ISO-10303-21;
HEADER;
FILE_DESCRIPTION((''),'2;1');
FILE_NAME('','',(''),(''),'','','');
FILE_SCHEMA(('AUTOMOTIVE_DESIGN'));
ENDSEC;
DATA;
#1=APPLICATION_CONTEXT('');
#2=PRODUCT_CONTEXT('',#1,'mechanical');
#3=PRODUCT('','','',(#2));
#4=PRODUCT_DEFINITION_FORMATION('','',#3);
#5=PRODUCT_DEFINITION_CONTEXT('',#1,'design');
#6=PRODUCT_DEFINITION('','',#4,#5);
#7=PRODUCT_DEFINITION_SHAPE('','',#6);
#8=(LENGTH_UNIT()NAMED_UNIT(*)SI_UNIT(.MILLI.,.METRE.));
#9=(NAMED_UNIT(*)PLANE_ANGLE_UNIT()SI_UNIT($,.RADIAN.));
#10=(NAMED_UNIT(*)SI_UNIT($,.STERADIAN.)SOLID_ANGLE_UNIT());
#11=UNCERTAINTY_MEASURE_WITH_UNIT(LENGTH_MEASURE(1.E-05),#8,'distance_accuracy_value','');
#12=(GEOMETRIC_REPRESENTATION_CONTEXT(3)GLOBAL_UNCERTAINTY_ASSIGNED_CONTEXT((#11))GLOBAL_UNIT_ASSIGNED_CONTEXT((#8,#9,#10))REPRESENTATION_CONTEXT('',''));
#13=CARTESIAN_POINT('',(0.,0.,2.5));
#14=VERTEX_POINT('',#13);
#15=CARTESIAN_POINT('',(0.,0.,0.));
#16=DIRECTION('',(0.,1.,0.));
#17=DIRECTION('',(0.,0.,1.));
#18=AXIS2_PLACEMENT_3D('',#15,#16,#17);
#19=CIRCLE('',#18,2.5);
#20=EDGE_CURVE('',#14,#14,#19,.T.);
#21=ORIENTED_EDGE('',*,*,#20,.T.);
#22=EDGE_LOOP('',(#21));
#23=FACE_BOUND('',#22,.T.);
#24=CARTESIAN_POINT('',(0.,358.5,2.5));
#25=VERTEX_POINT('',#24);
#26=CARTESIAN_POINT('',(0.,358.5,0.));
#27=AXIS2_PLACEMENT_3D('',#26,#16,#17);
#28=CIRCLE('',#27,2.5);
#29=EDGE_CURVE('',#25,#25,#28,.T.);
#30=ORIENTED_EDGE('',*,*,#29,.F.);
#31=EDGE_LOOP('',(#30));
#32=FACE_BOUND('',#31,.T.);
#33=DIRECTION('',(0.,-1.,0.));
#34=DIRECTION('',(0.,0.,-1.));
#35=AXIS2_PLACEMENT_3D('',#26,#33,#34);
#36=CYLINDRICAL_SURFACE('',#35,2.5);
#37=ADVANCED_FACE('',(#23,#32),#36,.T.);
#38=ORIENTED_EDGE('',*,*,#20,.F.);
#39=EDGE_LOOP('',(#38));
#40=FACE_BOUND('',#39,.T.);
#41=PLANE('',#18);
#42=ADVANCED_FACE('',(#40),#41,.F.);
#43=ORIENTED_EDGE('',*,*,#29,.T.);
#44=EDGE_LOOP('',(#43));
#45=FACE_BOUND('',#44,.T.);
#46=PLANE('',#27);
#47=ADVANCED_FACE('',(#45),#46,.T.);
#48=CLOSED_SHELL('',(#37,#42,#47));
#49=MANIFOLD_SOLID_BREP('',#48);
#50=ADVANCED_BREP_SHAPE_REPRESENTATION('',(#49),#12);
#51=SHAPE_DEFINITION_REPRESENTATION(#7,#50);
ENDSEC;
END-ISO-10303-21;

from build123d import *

# Parameters (mm, degrees)
SKETCH1_R           = 2.5
BOSS_EXTRUDE1_DEPTH = 358.5


with BuildPart() as part:
    # Sketch1 → Boss-Extrude1 (new body)
    with BuildSketch(Plane(origin=(0, 0, 0), x_dir=(1, 0, 0), z_dir=(0, 1, 0))):
        Circle(SKETCH1_R)
    extrude(amount=BOSS_EXTRUDE1_DEPTH)


solid = part.part
